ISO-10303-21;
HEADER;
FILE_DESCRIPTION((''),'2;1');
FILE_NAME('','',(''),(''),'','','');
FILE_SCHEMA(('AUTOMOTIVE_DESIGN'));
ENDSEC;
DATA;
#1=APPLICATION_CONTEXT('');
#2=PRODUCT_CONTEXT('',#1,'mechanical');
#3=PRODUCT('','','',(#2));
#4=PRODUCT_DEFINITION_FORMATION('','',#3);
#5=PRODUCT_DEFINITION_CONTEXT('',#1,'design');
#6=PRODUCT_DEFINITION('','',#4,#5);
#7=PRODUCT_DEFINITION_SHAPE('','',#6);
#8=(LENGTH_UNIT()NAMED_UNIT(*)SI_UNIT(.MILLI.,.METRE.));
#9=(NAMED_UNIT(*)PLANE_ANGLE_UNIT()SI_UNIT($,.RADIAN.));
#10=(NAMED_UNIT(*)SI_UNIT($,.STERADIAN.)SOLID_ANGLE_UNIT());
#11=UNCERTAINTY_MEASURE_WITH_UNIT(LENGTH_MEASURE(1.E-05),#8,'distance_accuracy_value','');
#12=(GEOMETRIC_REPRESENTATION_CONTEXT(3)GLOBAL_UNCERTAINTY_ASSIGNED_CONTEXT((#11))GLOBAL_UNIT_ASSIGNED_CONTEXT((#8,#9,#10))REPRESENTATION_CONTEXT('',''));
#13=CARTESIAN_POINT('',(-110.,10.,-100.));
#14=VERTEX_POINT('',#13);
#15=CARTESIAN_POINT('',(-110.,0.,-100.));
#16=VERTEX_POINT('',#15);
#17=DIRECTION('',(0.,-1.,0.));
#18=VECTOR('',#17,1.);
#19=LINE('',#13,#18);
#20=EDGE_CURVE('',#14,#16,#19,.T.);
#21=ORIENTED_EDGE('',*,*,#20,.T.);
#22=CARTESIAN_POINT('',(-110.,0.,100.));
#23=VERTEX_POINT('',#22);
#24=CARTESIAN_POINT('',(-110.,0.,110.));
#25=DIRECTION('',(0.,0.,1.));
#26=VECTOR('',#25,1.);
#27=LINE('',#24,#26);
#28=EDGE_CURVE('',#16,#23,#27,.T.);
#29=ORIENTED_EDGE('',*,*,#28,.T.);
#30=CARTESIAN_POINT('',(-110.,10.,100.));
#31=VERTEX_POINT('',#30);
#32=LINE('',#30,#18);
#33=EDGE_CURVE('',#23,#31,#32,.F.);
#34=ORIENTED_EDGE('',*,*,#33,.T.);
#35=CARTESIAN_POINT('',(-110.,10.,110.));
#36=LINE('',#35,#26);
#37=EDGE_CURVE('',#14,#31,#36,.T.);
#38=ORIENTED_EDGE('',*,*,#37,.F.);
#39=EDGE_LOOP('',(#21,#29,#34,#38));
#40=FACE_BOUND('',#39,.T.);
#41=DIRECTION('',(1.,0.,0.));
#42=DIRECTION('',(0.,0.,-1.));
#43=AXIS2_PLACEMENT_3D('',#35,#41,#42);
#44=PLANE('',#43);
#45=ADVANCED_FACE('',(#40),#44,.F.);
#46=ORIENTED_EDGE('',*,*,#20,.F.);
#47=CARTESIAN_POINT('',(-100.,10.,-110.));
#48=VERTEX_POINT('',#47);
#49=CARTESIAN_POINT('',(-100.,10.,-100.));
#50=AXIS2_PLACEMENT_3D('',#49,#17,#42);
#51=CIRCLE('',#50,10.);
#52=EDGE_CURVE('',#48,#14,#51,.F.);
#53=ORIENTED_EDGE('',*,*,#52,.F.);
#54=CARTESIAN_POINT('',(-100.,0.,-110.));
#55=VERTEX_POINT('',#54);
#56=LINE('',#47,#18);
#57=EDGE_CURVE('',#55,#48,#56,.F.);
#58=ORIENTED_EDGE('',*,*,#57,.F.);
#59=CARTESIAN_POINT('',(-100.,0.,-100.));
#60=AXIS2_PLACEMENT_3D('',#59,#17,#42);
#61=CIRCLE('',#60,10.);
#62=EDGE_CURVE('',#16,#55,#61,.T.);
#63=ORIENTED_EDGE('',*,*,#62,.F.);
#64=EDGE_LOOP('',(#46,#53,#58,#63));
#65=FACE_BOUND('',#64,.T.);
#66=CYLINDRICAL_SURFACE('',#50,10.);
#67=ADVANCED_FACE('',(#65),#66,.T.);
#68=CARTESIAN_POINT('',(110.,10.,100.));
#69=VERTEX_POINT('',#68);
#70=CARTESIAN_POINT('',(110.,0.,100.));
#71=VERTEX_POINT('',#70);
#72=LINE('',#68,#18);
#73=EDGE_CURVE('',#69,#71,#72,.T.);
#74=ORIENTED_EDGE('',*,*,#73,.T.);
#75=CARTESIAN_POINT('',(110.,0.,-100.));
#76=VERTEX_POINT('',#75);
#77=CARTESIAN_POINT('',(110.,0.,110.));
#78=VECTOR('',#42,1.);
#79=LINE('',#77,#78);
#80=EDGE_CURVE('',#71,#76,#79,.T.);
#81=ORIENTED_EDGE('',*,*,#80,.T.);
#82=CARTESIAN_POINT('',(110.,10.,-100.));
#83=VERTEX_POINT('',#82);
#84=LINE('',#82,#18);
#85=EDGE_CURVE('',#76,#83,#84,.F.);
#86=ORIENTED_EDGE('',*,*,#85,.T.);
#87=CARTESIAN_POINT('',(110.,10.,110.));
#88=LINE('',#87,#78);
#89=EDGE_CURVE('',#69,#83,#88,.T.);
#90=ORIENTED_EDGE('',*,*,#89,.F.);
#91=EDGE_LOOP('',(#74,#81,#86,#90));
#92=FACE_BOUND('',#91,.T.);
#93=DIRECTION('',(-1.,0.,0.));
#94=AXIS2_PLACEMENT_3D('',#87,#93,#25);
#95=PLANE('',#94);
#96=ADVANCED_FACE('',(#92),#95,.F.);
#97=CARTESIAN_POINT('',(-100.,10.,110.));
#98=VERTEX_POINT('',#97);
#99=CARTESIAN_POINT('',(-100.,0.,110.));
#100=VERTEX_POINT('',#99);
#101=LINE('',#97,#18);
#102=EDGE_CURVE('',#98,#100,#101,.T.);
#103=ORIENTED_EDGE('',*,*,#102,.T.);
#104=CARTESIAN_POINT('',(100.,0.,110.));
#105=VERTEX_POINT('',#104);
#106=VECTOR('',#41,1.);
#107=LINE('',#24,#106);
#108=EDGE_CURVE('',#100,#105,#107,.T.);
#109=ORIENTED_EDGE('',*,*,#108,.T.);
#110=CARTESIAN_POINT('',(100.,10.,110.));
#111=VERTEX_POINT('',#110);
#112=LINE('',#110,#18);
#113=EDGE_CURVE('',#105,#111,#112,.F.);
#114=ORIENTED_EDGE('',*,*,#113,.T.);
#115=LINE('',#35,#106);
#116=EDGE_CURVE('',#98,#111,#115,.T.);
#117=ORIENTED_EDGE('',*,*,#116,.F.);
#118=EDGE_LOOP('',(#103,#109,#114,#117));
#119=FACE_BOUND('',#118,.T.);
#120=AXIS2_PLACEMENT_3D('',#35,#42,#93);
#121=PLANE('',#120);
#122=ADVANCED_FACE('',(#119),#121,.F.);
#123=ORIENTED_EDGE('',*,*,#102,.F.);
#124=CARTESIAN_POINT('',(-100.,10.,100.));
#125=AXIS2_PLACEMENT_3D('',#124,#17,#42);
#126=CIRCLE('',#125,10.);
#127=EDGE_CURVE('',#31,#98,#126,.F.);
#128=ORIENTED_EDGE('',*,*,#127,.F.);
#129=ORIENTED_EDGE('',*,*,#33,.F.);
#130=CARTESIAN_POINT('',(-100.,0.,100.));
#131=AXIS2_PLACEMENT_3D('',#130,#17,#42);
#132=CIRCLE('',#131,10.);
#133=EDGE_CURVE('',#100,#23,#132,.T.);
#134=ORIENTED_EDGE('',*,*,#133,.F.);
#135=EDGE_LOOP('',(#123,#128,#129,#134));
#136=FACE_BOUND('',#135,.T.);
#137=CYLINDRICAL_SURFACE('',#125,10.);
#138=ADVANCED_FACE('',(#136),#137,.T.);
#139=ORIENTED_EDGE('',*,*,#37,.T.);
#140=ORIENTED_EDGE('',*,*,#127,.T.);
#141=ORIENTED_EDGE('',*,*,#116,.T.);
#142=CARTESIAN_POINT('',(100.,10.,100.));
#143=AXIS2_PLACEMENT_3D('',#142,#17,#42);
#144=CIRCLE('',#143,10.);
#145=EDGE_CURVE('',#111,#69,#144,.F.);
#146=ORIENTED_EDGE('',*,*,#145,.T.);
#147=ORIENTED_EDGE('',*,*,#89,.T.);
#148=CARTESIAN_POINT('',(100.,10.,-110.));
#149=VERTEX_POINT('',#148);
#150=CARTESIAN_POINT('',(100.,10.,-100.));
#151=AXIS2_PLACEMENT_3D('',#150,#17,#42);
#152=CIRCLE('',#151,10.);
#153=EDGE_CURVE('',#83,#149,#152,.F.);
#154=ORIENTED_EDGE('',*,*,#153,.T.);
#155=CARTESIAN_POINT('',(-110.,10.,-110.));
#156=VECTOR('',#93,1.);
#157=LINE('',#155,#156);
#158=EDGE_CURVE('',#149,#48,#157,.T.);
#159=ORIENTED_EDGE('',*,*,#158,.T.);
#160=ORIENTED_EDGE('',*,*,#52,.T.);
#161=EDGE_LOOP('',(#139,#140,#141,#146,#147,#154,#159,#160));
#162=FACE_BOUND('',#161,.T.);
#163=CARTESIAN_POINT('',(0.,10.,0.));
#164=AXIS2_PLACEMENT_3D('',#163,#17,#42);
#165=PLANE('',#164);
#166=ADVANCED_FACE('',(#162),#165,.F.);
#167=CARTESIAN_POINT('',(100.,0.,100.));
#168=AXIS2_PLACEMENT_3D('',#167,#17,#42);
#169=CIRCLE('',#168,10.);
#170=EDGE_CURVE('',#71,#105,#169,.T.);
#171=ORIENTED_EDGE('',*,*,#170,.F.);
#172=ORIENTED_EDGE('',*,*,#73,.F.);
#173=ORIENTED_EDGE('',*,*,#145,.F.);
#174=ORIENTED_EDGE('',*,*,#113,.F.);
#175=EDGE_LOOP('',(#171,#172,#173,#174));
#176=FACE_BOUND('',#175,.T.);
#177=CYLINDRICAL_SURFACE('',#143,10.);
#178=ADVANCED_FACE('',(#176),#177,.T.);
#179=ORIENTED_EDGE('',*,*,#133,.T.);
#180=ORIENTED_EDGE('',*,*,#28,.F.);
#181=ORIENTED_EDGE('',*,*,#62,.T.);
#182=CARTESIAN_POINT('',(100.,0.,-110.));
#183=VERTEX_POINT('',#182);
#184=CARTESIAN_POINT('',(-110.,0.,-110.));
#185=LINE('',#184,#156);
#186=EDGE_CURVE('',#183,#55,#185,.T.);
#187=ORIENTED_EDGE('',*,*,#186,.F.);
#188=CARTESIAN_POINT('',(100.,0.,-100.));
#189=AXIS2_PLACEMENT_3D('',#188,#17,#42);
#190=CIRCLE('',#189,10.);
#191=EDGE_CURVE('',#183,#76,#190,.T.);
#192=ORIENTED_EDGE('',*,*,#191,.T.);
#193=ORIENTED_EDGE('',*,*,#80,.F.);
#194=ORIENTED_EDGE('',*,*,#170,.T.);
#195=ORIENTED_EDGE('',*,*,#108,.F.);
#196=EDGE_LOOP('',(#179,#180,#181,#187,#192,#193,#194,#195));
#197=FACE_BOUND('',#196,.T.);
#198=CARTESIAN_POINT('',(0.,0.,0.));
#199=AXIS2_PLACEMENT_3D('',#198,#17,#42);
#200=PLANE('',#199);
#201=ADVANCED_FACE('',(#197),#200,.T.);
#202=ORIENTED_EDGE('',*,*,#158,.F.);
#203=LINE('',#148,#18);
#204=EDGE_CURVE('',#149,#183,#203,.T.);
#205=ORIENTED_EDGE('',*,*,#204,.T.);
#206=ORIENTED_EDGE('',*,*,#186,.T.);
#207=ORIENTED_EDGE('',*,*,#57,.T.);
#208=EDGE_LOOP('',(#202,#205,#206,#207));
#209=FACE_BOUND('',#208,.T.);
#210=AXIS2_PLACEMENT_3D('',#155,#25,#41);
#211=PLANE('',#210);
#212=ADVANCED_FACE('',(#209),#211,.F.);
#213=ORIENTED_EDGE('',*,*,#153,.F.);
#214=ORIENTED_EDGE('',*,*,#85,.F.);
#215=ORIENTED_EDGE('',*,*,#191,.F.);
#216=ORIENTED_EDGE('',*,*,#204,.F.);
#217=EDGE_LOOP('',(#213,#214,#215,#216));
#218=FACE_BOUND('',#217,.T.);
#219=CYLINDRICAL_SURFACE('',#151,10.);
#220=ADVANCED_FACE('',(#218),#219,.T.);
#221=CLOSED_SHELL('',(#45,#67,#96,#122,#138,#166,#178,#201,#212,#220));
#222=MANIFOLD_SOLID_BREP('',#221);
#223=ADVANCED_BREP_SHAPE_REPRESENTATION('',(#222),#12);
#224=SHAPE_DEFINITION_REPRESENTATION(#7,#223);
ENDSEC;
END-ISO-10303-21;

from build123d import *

# Parameters (mm, degrees)
SKETCH1_W           = 220
SKETCH1_H           = 220
BOSS_EXTRUDE1_DEPTH = 10
FILLET1_R           = 10


with BuildPart() as part:
    # Sketch1 → Boss-Extrude1 (new body)
    with BuildSketch(Plane(origin=(0, 0, 0), x_dir=(1, 0, 0), z_dir=(0, 1, 0))):
        Rectangle(SKETCH1_W, SKETCH1_H)
    extrude(amount=BOSS_EXTRUDE1_DEPTH)

    # Fillet1
    fillet1_edges = [part.edges().sort_by_distance(p)[0] for p in [
        (110, 5, 110),
        (-110, 5, 110),
        (-110, 5, -110),
        (110, 5, -110),
    ]]
    fillet(fillet1_edges, radius=FILLET1_R)


solid = part.part
